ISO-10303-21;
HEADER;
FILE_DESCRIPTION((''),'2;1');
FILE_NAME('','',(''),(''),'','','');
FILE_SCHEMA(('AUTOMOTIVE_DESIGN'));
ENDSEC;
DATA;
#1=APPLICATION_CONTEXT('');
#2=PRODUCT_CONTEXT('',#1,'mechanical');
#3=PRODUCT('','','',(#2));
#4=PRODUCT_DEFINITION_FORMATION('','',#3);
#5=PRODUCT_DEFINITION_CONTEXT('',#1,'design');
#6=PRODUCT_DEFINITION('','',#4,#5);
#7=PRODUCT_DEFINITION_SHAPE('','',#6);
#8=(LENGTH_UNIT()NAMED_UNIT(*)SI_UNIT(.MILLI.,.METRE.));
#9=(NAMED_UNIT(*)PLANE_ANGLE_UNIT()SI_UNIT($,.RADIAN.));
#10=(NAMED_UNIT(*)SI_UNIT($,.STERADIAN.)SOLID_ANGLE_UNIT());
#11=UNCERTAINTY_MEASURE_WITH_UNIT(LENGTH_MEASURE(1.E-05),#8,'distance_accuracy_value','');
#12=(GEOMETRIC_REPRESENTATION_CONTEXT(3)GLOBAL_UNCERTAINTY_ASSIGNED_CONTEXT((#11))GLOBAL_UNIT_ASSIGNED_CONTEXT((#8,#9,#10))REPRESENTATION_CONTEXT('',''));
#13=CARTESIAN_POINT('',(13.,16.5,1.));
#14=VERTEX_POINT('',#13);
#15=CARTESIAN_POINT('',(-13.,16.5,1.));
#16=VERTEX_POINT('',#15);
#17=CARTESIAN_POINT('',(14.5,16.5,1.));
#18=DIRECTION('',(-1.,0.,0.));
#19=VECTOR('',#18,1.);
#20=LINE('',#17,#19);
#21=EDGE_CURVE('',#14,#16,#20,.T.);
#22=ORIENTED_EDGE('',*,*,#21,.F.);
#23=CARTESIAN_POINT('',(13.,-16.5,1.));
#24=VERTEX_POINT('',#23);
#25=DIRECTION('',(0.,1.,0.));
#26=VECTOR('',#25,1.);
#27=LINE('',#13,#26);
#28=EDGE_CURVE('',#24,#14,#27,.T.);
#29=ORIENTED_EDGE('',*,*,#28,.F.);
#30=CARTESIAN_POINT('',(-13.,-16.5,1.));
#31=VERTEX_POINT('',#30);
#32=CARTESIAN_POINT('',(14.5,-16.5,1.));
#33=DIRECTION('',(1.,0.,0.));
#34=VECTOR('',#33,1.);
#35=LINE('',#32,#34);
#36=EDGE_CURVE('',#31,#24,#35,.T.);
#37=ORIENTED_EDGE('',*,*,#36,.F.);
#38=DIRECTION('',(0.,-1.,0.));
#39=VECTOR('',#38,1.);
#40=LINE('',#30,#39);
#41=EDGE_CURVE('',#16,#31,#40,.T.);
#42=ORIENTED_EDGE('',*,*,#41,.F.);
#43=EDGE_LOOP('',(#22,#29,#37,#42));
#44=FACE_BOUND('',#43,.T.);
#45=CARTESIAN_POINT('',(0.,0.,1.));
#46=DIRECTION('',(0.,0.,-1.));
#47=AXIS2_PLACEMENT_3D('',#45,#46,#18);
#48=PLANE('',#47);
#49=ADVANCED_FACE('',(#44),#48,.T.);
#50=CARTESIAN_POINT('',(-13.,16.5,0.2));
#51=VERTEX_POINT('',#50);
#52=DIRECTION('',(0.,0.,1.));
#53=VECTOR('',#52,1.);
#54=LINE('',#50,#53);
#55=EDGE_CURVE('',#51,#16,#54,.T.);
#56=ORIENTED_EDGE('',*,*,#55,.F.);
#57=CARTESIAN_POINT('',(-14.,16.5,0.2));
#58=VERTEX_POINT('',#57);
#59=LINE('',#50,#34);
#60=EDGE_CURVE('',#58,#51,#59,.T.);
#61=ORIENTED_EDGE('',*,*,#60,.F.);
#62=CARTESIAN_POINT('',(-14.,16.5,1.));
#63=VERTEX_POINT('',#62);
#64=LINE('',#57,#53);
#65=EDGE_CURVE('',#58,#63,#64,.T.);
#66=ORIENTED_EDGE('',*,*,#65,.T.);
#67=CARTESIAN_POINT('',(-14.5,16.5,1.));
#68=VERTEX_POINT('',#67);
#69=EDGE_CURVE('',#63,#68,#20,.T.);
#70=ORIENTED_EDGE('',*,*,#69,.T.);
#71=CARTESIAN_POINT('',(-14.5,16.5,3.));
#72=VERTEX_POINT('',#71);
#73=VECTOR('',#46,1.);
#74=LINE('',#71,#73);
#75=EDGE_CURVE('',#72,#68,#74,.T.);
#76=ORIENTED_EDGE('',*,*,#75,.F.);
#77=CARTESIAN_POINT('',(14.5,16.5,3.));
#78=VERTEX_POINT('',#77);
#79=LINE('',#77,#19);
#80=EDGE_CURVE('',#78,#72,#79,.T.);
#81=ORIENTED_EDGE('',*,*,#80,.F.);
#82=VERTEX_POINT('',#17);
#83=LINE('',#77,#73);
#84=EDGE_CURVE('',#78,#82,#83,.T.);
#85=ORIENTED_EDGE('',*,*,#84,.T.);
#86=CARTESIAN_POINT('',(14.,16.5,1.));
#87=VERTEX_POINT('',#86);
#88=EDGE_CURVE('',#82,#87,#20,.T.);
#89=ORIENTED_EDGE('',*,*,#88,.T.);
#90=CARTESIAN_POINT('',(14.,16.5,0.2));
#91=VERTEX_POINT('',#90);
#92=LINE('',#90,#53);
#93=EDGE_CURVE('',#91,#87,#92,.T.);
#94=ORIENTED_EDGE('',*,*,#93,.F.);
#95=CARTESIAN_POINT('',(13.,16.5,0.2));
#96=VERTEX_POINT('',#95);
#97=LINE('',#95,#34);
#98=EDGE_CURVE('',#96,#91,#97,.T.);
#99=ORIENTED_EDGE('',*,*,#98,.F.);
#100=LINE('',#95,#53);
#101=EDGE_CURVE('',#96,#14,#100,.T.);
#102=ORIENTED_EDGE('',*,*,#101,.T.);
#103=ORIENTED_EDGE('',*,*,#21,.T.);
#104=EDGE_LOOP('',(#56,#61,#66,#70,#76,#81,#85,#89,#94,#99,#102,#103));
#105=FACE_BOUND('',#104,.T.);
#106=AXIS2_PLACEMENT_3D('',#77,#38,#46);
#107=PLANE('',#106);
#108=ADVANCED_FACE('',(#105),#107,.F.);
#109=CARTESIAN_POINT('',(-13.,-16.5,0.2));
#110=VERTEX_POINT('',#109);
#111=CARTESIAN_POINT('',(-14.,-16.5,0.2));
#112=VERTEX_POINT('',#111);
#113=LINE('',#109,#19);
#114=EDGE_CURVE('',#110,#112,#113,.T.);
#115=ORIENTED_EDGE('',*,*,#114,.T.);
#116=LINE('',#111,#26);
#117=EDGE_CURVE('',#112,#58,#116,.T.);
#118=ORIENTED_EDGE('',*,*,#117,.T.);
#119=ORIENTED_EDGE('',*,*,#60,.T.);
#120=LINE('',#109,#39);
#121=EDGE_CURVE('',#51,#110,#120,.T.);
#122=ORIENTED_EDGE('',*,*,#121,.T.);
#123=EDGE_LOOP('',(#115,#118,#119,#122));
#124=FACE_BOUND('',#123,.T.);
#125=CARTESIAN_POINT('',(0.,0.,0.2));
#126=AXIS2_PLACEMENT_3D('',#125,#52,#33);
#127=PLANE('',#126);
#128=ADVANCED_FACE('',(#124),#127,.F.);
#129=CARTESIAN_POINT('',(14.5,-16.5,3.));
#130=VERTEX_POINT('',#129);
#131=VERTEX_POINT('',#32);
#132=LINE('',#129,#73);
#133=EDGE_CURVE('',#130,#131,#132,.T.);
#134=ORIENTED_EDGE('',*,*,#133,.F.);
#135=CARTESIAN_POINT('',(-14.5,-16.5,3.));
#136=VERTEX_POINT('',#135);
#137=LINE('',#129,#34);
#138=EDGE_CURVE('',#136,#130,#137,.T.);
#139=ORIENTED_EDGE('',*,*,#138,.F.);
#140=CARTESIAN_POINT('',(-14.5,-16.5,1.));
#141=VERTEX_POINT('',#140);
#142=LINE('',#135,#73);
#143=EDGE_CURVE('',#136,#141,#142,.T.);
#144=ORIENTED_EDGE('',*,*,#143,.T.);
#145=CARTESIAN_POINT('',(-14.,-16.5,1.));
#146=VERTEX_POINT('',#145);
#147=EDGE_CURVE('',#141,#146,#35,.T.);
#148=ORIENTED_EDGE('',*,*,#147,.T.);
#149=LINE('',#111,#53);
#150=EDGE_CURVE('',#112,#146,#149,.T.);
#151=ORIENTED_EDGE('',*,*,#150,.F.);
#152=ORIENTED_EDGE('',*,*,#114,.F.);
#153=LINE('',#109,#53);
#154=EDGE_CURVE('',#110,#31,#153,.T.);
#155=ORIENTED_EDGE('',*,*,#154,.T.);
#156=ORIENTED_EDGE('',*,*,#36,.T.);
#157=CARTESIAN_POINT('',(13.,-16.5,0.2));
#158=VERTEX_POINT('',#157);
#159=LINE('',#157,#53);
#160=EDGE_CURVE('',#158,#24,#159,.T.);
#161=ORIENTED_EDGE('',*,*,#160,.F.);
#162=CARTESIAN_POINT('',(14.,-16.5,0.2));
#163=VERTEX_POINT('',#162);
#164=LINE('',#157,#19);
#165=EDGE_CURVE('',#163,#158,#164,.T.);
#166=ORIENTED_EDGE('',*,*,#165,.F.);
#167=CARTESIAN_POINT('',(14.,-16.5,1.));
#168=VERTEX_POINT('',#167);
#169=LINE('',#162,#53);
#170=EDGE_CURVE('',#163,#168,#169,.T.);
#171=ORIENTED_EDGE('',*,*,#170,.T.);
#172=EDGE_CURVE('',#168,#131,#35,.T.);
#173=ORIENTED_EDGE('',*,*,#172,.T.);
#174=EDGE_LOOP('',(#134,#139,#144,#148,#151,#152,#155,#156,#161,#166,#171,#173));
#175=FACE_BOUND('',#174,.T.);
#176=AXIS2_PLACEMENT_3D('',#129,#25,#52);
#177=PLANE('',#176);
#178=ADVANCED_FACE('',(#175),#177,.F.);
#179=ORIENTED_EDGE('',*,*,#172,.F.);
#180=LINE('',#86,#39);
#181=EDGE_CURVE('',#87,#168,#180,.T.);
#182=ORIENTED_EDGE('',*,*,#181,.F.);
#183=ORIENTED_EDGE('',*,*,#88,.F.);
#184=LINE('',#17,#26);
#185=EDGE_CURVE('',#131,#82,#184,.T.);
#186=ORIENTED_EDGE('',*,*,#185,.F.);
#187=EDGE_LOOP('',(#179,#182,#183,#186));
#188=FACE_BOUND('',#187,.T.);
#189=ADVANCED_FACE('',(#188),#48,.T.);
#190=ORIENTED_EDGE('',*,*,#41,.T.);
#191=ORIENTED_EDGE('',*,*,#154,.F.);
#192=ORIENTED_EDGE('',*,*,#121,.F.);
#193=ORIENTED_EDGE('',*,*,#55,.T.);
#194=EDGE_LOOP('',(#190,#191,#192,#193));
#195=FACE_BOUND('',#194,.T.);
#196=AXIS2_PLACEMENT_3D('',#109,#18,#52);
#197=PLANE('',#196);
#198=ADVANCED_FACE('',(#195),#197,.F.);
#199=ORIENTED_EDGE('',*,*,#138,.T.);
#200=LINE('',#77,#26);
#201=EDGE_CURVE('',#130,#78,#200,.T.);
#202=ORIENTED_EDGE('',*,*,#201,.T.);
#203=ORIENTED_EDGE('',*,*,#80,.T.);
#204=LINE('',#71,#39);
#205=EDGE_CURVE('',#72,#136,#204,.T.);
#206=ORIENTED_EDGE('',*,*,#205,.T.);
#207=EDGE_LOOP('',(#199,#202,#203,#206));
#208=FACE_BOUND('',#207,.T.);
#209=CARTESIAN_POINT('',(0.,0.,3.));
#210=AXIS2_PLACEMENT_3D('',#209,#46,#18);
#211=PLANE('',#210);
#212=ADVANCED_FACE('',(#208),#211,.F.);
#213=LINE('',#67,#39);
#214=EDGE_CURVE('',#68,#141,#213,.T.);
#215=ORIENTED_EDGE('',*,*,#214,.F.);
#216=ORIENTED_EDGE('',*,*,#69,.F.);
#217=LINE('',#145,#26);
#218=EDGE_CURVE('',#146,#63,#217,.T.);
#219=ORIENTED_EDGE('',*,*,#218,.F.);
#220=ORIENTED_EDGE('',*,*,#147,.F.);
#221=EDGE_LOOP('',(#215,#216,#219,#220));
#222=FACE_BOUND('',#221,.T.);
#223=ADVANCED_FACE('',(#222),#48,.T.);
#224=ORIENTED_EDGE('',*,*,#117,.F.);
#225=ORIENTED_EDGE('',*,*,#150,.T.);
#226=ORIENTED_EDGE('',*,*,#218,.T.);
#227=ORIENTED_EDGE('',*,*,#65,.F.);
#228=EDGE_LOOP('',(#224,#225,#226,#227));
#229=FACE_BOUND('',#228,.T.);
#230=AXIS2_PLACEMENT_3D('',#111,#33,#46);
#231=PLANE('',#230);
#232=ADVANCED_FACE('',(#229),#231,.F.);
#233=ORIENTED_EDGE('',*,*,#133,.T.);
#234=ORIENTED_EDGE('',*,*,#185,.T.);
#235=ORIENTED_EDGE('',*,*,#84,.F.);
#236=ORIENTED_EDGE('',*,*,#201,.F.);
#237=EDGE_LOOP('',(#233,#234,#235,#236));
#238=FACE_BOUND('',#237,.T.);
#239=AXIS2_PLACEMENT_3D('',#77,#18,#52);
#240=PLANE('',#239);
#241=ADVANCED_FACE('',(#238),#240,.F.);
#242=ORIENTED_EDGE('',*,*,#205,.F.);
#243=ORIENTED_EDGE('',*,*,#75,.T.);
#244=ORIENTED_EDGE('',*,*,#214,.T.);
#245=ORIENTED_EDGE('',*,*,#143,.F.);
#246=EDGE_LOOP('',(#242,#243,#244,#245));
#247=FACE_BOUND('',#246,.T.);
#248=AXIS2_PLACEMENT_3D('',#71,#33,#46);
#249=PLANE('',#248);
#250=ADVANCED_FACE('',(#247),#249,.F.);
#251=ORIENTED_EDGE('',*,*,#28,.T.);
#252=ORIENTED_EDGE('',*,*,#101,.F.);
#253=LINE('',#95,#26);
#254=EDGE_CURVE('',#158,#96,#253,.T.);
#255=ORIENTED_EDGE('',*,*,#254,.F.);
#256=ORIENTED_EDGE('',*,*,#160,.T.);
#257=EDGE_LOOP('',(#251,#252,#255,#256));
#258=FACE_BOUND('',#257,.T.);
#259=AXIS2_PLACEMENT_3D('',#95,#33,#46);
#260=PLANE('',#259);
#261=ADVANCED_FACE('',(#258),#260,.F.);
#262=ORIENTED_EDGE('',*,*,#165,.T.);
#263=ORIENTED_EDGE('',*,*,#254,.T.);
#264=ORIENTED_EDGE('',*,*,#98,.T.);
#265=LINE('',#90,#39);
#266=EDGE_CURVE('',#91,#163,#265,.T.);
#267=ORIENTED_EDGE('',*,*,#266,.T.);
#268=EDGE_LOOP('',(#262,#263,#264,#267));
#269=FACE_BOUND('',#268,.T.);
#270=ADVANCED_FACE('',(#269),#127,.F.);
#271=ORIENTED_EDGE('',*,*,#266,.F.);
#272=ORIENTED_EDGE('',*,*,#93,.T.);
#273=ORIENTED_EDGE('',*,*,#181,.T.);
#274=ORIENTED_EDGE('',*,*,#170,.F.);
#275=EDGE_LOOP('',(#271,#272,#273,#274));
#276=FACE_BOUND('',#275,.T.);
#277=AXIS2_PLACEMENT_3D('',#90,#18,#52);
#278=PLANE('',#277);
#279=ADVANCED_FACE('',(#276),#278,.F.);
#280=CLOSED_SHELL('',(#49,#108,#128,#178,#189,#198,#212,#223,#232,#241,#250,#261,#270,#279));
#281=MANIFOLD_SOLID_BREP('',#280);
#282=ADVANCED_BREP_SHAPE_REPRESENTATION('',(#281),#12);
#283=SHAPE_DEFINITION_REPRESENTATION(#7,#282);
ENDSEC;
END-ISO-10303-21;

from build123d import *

# Parameters (mm, degrees)
SKETCH3_W           = 29
SKETCH3_H           = 33
BOSS_EXTRUDE1_DEPTH = 2
SKETCH5_W           = 1
SKETCH5_H           = 33
BOSS_EXTRUDE2_DEPTH = 0.8


with BuildPart() as part:
    # Sketch3 → Boss-Extrude1 (new body)
    with BuildSketch(Plane.XY.offset(1)):
        Rectangle(SKETCH3_W, SKETCH3_H)
    extrude(amount=BOSS_EXTRUDE1_DEPTH)

    # Sketch5 → Boss-Extrude2 (add)
    with BuildSketch(Plane(origin=(0, 0, 1), x_dir=(-1, 0, 0), z_dir=(0, 0, -1))):
        with Locations((13.5, 0)):
            Rectangle(SKETCH5_W, SKETCH5_H)
        with Locations((-13.5, 0)):
            Rectangle(SKETCH5_W, SKETCH5_H)
    extrude(amount=BOSS_EXTRUDE2_DEPTH)


solid = part.part
